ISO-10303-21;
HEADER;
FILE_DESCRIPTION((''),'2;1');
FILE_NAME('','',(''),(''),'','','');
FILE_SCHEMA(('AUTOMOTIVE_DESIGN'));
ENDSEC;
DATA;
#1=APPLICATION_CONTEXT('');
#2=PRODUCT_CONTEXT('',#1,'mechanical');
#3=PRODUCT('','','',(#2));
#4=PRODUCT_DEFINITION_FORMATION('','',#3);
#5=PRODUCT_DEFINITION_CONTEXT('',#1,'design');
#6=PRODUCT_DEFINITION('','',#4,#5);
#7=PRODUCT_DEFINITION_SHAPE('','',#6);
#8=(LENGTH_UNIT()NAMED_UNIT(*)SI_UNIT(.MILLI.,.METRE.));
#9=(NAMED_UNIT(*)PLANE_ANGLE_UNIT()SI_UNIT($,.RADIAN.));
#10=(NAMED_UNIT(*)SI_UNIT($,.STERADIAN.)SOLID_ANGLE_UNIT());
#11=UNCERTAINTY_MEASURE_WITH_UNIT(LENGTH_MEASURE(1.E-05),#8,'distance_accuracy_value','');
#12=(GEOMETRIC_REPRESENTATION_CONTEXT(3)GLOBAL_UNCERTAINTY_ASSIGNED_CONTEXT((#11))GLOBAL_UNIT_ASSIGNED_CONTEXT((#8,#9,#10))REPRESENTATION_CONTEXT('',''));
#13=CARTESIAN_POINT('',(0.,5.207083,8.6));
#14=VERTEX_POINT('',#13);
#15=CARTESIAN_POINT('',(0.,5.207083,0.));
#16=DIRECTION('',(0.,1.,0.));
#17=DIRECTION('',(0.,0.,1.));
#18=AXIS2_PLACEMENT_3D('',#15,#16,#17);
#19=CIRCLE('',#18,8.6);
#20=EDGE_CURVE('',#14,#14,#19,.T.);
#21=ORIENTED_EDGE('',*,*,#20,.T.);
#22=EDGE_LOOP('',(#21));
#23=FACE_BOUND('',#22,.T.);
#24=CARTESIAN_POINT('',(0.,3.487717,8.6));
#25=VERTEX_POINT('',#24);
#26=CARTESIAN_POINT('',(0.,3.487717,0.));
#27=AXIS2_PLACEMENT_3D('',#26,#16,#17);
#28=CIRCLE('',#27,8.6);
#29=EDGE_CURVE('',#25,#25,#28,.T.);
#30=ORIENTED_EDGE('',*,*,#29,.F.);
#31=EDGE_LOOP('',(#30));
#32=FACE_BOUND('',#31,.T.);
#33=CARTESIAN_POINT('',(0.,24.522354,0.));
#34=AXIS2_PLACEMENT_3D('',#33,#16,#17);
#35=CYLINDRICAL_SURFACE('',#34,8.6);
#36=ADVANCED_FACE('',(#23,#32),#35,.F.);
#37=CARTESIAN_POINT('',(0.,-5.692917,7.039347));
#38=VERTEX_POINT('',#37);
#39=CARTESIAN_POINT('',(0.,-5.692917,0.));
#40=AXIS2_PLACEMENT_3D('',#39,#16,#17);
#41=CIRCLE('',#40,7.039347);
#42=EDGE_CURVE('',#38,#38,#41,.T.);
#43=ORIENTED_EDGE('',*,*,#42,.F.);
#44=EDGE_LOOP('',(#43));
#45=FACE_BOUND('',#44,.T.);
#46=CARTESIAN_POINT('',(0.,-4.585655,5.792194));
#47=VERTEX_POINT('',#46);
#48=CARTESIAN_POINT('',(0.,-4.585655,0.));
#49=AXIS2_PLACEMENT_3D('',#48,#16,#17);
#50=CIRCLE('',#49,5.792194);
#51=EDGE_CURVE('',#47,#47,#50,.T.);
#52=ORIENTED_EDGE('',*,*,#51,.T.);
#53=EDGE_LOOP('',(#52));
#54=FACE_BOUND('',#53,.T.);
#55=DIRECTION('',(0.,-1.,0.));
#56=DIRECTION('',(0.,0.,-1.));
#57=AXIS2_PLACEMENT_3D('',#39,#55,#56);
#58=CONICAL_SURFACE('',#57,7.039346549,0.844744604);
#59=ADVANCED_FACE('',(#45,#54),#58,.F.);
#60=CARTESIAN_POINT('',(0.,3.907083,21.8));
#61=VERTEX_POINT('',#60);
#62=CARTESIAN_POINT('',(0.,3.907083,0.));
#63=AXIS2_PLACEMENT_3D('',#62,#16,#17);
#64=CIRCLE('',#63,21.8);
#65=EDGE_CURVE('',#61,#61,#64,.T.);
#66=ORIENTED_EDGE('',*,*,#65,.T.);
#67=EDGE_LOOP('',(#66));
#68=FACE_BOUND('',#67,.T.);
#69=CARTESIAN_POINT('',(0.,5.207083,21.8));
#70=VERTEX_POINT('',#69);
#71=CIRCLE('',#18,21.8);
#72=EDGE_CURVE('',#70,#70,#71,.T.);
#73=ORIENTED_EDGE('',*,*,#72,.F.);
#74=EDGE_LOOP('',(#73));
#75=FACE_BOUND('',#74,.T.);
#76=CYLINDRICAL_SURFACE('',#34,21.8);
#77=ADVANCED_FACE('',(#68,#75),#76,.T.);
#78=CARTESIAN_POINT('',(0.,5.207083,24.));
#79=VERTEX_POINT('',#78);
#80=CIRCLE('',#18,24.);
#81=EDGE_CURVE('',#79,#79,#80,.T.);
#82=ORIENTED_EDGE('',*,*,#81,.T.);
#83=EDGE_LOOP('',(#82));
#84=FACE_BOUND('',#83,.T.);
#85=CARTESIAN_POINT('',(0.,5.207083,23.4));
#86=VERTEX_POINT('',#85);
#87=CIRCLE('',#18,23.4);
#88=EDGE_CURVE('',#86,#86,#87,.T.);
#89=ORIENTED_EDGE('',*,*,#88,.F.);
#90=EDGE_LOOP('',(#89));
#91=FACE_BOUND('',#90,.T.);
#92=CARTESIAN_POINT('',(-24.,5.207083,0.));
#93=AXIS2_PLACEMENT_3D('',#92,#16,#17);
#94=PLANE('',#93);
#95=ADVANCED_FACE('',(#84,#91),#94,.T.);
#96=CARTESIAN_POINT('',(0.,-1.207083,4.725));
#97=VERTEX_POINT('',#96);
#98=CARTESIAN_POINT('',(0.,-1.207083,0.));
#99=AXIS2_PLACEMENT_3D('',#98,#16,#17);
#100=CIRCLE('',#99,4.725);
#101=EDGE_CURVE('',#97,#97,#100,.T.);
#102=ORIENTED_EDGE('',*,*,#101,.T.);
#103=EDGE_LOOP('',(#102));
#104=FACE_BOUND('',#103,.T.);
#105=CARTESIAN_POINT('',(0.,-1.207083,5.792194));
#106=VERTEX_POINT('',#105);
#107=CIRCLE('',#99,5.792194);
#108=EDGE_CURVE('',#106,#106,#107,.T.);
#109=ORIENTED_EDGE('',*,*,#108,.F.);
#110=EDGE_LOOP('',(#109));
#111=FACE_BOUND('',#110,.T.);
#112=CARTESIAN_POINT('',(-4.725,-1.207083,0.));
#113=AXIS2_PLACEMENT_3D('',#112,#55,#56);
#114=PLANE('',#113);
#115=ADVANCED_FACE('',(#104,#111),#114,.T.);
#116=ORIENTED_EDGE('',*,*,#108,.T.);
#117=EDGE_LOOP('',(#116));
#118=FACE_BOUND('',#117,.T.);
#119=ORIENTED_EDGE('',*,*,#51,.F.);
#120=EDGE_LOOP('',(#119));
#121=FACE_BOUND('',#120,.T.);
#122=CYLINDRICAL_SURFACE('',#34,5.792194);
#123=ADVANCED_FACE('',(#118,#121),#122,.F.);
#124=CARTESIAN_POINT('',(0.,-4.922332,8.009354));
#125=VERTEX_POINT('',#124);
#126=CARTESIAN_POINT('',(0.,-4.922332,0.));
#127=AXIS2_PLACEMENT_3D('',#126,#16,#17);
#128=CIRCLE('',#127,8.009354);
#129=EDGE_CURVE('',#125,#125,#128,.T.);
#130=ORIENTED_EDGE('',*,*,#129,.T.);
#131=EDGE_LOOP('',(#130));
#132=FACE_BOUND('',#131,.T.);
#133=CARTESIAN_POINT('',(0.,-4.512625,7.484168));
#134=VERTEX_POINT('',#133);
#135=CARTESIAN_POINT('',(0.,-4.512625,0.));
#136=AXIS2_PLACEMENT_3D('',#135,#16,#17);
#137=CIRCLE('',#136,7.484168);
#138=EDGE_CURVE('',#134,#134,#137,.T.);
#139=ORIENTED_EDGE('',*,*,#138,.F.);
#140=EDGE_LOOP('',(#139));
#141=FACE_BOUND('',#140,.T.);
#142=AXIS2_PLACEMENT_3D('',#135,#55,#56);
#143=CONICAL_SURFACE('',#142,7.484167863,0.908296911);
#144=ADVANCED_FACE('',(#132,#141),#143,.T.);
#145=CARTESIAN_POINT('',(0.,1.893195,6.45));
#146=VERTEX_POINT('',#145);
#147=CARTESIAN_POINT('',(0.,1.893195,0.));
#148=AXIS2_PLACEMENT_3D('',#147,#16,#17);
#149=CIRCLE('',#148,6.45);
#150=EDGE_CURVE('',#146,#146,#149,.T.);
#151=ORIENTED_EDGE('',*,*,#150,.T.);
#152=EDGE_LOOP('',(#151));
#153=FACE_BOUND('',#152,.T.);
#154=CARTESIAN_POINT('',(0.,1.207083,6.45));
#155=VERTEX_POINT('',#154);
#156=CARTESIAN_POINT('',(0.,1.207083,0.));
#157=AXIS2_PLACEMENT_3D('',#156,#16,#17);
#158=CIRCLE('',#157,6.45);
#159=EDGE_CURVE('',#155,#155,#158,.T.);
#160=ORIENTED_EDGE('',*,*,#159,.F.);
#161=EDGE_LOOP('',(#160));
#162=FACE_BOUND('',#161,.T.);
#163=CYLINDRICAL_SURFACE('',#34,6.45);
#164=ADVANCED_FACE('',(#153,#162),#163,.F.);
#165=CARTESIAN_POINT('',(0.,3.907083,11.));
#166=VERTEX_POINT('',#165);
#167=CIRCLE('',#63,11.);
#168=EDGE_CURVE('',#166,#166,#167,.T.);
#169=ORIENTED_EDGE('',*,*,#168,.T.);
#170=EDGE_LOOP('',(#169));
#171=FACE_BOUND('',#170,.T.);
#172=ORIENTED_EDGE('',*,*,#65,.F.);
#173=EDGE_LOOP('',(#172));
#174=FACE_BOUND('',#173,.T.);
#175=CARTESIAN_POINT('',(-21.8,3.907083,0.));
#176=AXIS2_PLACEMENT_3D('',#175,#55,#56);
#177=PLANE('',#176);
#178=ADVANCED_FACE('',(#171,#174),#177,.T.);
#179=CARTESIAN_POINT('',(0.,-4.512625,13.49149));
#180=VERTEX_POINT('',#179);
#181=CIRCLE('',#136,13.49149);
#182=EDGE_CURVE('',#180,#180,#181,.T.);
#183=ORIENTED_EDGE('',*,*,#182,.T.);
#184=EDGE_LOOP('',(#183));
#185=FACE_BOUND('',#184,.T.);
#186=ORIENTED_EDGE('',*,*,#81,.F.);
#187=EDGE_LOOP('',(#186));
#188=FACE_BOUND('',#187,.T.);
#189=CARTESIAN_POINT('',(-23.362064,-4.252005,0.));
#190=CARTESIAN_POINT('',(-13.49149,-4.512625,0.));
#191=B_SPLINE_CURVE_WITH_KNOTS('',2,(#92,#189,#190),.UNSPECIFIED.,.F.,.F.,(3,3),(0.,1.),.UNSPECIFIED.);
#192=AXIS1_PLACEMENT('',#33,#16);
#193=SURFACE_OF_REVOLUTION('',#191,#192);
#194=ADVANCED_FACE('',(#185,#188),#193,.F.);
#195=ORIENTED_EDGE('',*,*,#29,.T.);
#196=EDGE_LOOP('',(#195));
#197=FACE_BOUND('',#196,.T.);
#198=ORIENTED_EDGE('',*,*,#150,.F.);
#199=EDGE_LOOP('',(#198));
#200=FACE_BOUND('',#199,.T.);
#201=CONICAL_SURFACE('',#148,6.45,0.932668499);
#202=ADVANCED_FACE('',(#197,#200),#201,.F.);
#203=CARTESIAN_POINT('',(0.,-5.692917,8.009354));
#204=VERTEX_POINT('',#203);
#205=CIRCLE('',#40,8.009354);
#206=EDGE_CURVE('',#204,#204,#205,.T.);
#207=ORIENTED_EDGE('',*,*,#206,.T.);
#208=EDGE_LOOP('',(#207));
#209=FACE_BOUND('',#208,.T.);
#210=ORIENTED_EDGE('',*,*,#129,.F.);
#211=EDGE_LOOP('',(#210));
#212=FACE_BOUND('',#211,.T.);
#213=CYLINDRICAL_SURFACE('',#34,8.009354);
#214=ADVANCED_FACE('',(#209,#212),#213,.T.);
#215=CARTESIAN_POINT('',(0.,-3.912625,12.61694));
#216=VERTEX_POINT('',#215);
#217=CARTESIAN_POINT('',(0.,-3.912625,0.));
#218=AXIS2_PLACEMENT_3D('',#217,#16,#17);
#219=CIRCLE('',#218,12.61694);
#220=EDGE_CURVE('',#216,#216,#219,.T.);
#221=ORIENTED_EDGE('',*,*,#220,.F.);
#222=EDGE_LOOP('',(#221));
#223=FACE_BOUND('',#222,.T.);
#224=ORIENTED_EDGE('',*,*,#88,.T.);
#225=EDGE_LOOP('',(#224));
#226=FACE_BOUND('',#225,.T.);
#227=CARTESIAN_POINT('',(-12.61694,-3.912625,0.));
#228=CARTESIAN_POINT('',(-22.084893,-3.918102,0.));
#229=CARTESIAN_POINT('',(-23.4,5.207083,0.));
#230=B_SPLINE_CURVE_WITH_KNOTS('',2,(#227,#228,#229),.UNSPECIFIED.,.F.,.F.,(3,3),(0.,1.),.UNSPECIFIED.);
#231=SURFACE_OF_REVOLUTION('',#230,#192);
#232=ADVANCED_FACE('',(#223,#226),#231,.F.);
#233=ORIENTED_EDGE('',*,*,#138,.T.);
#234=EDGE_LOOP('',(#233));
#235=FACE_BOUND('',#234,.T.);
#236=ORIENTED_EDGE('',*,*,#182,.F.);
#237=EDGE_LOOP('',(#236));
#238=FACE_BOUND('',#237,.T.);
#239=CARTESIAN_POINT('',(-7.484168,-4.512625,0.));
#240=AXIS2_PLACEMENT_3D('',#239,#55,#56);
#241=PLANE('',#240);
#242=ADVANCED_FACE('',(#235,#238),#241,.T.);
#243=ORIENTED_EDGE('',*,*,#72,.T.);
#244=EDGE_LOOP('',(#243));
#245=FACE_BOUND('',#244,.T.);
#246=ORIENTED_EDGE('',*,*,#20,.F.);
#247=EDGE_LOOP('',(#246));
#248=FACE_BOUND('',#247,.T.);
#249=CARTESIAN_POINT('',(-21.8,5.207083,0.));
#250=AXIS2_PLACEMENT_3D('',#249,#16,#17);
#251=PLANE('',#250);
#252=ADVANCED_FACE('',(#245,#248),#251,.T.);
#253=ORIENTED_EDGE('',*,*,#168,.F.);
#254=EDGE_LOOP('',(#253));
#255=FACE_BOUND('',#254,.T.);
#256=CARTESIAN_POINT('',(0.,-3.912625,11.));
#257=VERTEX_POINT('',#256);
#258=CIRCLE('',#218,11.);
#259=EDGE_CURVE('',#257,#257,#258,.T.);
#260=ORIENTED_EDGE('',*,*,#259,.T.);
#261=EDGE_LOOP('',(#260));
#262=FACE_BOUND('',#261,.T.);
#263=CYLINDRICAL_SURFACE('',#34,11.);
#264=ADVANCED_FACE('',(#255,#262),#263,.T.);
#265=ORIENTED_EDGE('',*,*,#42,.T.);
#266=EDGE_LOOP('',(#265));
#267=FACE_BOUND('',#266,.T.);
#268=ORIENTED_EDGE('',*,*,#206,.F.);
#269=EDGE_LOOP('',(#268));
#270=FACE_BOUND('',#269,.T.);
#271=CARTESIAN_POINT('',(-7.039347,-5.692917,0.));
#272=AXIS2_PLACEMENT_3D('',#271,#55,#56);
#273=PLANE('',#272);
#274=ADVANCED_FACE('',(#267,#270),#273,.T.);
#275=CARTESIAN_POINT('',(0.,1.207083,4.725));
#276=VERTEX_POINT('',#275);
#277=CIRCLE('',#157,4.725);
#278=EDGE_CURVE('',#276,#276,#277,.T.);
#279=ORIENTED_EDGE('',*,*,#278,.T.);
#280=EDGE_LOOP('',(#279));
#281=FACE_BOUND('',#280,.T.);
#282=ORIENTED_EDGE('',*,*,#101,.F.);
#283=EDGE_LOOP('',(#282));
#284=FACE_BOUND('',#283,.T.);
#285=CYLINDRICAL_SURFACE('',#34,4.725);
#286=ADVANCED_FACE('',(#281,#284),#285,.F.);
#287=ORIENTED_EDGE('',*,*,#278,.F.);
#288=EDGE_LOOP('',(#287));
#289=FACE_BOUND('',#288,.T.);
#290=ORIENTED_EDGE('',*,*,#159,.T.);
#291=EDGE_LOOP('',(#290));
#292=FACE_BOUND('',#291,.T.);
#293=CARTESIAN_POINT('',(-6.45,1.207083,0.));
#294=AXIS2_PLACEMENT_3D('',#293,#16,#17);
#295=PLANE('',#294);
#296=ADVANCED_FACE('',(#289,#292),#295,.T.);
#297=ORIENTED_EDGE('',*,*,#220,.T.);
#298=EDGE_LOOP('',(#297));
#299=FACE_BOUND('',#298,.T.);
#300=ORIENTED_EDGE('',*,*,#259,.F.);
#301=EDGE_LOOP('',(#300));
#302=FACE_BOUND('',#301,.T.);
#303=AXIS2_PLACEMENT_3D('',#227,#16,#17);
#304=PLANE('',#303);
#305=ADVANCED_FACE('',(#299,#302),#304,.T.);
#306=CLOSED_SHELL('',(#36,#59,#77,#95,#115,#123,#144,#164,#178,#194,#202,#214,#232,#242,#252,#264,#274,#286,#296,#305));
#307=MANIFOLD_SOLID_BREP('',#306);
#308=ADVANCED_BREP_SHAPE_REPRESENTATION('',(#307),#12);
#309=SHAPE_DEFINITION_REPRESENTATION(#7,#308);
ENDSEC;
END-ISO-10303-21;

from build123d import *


with BuildPart() as part:
    # Sketch1 → Revolve1 (revolve)
    with BuildSketch(Plane.XY):
        with BuildLine():
            Line((-21.8, 5.207082814), (-8.6, 5.207082814))
            Line((-8.6, 5.207082814), (-8.6, 3.487716788))
            Line((-8.6, 3.487716788), (-6.45, 1.893195372))
            Line((-6.45, 1.893195372), (-6.45, 1.207082814))
            Line((-6.45, 1.207082814), (-4.725, 1.207082814))
            Line((-4.725, 1.207082814), (-4.725, -1.207082814))
            Line((-4.725, -1.207082814), (-5.792193517, -1.207082814))
            Line((-5.792193517, -1.207082814), (-5.792193517, -4.58565461))
            Line((-5.792193517, -4.58565461), (-7.039346549, -5.692917186))
            Line((-7.039346549, -5.692917186), (-8.009354463, -5.692917186))
            Line((-8.009354463, -5.692917186), (-8.009354463, -4.922332057))
            Line((-8.009354463, -4.922332057), (-7.484167863, -4.512624738))
            Line((-7.484167863, -4.512624738), (-13.491490452, -4.512624738))
            add(Edge.make_bspline(
                [(-24, 5.207082814), (-23.362064214, -4.252005312), (-13.491490452, -4.512624738)],
                knots=[0, 0, 0, 1, 1, 1], degree=2))
            Line((-24, 5.207082814), (-23.4, 5.207082814))
            add(Edge.make_bspline(
                [(-12.616940425, -3.912624738), (-22.084892945, -3.918102421), (-23.4, 5.207082814)],
                knots=[0, 0, 0, 1, 1, 1], degree=2))
            Line((-12.616940425, -3.912624738), (-11, -3.912624738))
            Line((-11, -3.912624738), (-11, 3.907082814))
            Line((-11, 3.907082814), (-21.8, 3.907082814))
            Line((-21.8, 3.907082814), (-21.8, 5.207082814))
        make_face()
    revolve(axis=Axis((0, 24.52235385, 0), (0, -1, 0)))


solid = part.part
